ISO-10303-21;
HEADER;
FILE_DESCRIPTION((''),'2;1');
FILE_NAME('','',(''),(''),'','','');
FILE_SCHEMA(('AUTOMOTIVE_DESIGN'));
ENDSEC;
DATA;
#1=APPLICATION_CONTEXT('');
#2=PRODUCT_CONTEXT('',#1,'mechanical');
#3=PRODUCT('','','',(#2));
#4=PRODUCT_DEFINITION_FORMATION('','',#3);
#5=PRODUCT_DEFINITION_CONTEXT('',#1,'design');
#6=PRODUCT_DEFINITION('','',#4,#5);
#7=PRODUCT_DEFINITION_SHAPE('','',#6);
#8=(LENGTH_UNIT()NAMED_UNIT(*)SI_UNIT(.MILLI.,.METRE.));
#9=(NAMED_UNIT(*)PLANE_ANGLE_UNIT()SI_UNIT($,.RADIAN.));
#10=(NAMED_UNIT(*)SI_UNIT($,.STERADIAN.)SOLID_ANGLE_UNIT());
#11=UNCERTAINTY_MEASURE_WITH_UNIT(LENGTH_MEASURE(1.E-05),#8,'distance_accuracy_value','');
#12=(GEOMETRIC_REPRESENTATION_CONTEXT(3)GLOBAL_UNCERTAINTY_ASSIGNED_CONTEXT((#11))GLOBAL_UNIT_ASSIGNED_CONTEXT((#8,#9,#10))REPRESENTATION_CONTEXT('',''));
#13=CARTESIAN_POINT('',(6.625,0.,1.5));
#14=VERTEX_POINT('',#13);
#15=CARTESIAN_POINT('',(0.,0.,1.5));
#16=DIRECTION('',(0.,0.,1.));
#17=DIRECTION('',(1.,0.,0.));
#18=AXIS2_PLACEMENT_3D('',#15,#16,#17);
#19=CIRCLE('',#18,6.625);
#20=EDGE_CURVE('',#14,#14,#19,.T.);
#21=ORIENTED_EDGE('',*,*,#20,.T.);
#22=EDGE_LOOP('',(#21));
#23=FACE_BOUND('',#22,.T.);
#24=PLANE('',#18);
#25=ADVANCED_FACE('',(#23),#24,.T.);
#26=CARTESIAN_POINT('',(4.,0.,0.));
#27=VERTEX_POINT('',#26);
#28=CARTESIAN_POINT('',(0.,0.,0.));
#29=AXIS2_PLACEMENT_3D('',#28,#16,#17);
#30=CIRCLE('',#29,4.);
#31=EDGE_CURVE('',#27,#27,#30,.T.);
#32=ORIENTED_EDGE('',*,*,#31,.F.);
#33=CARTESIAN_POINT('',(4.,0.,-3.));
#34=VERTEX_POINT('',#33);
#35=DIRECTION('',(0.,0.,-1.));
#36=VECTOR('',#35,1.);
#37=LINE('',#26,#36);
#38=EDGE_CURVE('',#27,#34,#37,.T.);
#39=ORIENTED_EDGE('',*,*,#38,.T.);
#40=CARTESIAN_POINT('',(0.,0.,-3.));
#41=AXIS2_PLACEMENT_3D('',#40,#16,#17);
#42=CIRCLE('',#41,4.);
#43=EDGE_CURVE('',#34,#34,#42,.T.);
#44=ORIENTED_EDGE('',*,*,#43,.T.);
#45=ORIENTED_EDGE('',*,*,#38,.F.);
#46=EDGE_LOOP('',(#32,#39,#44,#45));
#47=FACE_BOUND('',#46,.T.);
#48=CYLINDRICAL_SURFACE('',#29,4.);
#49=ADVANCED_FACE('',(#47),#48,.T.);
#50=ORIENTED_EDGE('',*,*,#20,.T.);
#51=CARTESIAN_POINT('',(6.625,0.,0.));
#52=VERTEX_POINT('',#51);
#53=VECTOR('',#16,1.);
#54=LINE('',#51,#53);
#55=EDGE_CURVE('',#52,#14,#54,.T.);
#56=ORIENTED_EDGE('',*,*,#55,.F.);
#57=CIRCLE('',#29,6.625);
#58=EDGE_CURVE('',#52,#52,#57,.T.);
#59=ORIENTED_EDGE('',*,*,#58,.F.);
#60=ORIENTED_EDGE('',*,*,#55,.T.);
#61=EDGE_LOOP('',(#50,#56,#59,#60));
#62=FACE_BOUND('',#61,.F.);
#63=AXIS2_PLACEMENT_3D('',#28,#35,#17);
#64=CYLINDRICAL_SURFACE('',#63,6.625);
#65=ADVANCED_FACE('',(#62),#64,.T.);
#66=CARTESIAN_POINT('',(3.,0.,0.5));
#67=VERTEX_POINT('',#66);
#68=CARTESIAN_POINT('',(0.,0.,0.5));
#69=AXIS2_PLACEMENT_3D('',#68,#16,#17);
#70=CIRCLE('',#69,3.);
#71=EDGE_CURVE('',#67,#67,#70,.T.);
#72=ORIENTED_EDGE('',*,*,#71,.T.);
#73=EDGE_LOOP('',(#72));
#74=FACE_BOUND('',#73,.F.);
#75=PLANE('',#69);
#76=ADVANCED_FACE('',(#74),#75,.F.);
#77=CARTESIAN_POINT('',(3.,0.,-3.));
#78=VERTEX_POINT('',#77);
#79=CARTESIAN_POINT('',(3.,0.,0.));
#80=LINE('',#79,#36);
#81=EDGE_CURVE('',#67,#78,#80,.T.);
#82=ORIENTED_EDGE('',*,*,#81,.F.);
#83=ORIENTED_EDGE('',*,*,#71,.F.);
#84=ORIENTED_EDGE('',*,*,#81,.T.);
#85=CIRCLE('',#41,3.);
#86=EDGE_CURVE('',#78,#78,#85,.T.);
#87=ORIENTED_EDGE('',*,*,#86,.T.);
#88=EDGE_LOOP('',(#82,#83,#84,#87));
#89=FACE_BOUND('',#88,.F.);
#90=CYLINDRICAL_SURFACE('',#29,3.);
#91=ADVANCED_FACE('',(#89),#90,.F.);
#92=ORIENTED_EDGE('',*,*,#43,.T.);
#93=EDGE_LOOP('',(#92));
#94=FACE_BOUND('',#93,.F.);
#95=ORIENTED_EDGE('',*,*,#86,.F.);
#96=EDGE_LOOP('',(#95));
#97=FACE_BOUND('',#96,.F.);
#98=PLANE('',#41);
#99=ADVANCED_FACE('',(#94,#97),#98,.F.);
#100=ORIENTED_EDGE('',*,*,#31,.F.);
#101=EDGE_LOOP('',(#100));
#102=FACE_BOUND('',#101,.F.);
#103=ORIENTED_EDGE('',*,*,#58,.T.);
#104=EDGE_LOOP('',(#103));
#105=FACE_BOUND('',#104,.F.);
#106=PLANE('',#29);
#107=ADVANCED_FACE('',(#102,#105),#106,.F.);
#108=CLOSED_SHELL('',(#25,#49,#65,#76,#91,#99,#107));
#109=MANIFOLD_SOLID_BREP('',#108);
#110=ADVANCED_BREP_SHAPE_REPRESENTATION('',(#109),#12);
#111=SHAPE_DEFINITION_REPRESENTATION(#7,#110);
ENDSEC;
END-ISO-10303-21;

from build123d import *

# Parameters (mm, degrees)
F0_R     = 6.625
F0_R_2   = 4
F1_DEPTH = 1.5
F2_DEPTH = 3
F3_T     = -1


with BuildPart() as f1:
    # F0 (on Top) → F1 (new body)
    with BuildSketch(Plane.XY):
        Circle(F0_R)
        Circle(F0_R_2, mode=Mode.SUBTRACT)
        Circle(F0_R_2)
    extrude(amount=F1_DEPTH)

    # F0 (on Top) → F2 (join)
    with BuildSketch(Plane.XY):
        Circle(F0_R_2)
    extrude(amount=-F2_DEPTH)

    # F3
    f3_openings = [f1.faces().sort_by_distance(p)[0] for p in [
        (0, 0, -3),
    ]]
    offset(amount=F3_T, openings=f3_openings, kind=Kind.INTERSECTION)


solid = f1.part
